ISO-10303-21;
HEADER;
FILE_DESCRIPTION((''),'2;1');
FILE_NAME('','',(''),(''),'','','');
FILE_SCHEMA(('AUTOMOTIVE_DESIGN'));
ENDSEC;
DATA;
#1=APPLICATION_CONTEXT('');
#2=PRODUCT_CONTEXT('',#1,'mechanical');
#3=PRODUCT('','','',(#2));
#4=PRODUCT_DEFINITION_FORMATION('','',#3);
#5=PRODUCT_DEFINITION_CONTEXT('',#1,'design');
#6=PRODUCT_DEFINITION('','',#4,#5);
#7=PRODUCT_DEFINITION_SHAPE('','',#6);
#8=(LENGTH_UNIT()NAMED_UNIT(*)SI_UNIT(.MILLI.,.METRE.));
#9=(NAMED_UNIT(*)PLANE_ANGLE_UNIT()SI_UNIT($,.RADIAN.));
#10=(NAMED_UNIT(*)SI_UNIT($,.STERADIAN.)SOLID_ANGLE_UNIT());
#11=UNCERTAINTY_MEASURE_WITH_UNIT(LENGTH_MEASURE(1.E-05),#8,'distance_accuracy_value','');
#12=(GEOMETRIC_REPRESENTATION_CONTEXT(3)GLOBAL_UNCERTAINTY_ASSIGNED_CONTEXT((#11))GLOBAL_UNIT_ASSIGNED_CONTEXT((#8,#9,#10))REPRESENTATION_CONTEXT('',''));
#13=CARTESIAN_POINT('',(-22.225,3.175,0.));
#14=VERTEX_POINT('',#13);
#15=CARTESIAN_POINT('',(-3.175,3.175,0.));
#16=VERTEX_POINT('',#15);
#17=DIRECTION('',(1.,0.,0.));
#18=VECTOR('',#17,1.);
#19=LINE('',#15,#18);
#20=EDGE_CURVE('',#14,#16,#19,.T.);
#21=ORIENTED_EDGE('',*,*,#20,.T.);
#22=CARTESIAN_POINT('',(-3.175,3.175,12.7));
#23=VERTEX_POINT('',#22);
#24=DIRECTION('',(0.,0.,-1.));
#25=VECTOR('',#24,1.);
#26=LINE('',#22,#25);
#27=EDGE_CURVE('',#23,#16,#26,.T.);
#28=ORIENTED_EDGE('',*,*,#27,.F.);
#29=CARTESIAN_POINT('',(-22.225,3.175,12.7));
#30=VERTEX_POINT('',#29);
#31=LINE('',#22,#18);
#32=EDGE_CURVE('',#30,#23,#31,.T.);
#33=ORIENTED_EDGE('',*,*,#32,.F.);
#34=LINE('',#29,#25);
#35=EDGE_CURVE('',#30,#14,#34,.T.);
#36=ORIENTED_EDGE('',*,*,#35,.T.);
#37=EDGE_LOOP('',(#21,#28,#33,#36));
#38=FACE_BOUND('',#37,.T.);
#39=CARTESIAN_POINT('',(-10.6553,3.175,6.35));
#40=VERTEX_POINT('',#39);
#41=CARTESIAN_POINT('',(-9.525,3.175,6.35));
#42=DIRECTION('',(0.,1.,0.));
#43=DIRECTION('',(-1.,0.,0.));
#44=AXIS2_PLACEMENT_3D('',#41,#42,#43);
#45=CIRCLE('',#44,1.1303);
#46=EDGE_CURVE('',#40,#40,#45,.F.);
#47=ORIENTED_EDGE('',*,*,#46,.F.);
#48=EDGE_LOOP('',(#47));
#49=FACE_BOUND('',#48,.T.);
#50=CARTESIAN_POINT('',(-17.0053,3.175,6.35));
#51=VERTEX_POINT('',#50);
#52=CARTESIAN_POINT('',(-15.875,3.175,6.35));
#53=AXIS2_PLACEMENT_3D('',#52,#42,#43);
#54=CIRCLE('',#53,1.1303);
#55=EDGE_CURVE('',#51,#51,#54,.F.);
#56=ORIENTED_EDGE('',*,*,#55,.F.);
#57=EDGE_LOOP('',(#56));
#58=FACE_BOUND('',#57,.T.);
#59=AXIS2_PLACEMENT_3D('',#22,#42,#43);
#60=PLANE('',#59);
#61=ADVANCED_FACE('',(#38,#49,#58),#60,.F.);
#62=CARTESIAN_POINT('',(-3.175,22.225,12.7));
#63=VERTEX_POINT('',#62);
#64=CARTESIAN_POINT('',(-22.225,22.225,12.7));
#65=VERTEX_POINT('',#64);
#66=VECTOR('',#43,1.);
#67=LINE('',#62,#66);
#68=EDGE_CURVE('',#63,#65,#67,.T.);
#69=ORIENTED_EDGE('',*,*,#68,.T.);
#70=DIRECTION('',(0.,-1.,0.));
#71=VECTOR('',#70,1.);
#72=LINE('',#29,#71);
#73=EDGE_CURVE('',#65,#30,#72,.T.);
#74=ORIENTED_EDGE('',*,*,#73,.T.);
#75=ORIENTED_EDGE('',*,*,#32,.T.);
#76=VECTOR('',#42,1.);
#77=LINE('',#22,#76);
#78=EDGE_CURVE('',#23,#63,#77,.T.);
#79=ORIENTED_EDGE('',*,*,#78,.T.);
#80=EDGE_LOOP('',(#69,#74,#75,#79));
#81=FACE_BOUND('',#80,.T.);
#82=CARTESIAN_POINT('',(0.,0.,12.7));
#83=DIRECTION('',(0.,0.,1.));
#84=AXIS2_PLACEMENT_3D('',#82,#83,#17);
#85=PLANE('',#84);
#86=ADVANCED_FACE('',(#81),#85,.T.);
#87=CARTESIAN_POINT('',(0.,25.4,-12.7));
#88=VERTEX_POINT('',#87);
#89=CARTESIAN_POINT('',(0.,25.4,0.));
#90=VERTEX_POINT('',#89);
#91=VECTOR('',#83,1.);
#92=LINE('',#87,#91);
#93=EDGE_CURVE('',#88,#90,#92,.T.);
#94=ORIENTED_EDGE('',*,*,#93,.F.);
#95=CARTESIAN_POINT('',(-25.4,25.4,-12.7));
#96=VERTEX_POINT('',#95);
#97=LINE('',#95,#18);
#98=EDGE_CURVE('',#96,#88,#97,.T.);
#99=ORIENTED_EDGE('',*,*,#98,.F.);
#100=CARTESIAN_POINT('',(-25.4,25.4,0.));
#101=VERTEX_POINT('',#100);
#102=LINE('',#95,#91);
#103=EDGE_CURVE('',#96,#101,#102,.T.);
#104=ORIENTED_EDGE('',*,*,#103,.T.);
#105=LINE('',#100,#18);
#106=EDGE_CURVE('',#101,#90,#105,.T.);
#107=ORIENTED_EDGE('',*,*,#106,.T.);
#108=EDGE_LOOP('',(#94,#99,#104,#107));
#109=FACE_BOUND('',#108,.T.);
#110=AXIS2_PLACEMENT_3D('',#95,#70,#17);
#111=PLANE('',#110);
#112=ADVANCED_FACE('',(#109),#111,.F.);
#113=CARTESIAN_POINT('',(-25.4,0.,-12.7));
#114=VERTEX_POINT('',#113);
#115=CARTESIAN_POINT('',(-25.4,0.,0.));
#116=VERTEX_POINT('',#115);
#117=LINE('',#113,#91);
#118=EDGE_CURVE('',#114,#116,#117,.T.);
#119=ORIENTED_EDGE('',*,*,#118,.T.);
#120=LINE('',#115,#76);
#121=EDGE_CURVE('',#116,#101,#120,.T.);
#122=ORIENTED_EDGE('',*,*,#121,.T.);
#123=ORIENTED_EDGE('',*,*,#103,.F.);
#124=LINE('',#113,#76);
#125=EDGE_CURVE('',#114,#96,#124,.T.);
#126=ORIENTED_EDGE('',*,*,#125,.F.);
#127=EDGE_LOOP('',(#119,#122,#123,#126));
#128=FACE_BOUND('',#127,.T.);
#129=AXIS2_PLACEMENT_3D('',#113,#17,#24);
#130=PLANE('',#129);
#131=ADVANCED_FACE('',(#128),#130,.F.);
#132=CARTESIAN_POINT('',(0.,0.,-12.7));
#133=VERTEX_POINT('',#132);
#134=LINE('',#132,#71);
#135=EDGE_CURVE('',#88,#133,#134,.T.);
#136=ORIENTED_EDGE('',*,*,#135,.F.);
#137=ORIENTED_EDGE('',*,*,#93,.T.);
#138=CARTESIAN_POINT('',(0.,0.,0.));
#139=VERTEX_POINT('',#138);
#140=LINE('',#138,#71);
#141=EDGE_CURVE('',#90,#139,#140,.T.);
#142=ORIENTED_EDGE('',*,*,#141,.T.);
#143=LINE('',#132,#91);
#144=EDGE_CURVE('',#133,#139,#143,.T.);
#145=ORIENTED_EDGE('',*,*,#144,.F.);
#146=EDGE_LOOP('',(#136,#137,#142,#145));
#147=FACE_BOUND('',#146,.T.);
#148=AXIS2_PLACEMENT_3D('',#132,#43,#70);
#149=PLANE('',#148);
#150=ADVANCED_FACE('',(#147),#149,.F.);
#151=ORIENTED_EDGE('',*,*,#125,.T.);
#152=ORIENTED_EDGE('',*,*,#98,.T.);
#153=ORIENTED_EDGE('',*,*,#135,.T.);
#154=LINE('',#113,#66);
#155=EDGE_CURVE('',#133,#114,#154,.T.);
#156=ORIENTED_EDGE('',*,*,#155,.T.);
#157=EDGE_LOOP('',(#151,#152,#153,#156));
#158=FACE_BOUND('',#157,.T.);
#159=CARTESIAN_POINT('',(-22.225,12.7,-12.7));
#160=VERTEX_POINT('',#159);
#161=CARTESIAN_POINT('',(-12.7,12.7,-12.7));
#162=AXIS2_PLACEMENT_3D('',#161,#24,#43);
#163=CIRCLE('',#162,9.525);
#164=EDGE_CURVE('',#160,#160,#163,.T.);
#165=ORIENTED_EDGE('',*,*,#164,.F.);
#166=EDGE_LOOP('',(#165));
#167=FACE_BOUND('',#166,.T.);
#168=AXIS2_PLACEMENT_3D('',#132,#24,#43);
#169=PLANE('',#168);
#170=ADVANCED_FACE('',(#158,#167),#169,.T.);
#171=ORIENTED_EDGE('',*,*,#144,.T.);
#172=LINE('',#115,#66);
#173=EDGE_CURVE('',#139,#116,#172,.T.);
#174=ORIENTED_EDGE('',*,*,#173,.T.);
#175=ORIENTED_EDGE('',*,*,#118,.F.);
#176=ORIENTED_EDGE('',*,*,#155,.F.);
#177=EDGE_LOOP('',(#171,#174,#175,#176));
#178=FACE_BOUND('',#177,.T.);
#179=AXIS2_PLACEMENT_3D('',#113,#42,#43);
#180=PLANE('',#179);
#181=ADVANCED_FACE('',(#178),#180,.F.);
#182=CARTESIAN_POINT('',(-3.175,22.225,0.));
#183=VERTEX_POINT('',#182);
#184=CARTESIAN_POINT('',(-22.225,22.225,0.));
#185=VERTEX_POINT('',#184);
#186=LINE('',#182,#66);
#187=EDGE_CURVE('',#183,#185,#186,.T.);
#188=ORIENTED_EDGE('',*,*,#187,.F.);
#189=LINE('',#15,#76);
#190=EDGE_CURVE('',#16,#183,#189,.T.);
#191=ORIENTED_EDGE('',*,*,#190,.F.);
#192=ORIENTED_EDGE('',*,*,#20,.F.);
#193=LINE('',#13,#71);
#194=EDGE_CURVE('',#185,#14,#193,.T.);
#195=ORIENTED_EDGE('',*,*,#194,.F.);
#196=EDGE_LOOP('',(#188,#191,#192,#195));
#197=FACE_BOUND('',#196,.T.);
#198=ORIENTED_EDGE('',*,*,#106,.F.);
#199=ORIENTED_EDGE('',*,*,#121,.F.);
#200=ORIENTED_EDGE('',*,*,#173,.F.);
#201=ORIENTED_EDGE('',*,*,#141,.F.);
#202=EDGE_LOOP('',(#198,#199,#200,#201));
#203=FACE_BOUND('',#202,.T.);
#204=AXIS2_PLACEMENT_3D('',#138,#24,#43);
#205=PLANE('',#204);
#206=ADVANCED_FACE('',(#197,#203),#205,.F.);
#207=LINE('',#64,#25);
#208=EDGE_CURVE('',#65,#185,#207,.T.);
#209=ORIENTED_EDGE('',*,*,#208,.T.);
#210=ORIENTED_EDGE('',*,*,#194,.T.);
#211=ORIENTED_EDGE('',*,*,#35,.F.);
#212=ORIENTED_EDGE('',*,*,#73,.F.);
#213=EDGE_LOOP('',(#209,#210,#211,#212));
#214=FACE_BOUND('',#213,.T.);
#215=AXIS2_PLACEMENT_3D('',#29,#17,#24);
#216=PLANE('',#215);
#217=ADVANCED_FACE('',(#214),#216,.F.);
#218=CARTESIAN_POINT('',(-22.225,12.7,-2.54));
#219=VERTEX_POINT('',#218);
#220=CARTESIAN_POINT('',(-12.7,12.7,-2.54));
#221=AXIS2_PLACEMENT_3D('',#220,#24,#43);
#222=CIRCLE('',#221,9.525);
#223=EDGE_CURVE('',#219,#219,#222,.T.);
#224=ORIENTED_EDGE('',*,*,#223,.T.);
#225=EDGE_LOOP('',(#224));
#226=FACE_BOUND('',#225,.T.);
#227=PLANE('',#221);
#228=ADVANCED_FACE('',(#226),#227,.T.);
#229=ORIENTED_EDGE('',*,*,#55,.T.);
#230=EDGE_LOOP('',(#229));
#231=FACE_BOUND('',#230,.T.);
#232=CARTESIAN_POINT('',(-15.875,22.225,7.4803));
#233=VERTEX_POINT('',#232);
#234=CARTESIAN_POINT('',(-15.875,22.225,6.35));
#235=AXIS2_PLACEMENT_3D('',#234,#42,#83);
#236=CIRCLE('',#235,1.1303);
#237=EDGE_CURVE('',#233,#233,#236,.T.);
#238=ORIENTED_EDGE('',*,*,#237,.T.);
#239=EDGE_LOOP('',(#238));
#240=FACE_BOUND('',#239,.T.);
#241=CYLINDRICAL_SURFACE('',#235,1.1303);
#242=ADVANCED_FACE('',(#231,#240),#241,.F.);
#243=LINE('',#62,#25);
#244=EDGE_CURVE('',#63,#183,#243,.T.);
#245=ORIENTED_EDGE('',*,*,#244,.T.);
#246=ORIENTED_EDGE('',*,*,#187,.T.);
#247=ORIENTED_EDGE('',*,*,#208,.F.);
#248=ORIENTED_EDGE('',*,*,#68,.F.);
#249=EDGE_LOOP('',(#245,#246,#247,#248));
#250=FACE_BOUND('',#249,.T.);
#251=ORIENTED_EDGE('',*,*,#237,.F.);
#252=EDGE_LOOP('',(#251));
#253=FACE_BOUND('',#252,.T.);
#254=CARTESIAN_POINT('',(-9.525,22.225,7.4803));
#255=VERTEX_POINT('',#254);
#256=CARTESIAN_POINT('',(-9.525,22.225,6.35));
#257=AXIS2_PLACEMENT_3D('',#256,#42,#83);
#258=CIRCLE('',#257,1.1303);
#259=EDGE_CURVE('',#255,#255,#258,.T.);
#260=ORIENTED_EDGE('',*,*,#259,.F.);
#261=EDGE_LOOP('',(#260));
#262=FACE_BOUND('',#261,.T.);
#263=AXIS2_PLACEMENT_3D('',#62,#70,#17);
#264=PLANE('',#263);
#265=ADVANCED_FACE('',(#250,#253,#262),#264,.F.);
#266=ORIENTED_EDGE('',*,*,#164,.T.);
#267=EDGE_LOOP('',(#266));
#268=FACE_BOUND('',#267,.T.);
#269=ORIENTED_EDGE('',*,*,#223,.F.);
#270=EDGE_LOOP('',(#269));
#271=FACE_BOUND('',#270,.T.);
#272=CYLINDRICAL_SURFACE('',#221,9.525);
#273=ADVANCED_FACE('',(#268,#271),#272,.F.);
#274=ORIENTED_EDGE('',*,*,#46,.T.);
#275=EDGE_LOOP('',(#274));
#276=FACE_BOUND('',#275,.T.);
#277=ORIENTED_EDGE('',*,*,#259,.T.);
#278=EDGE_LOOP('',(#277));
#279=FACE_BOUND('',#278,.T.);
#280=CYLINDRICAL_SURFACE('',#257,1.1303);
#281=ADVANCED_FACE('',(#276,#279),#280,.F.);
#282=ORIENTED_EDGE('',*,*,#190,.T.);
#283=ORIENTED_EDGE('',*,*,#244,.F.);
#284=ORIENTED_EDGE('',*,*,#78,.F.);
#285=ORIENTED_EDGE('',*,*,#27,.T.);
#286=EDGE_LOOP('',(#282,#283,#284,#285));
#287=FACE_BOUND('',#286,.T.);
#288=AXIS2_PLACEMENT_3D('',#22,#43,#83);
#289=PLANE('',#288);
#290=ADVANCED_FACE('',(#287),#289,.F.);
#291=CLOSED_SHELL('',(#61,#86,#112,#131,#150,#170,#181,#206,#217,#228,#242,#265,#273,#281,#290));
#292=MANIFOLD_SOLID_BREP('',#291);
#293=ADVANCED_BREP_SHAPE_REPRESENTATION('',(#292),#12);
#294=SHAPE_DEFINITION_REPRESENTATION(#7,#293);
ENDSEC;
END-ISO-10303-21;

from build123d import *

# Parameters (mm, degrees)
SKETCH1_W                 = 19.05
SKETCH1_H                 = 19.05
BOSS_EXTRUDE1_DEPTH       = 12.7
SKETCH2_W                 = 25.4
SKETCH2_H                 = 25.4
BOSS_EXTRUDE2_DEPTH       = 12.7
SKETCH3_R                 = 9.525
CUT_EXTRUDE3_DEPTH        = 10.16
TAP_DRILL_FOR_4_40_TAP1_D = 2.2606


with BuildPart() as part:
    # Sketch1 → Boss-Extrude1 (new body)
    with BuildSketch(Plane.XY):
        with Locations((-12.7, 12.7)):
            Rectangle(SKETCH1_W, SKETCH1_H)
    extrude(amount=BOSS_EXTRUDE1_DEPTH)

    # Sketch2 → Boss-Extrude2 (add)
    with BuildSketch(Plane(origin=(0, 0, 0), x_dir=(-1, 0, 0), z_dir=(0, 0, -1))):
        with Locations((12.7, 12.7)):
            Rectangle(SKETCH2_W, SKETCH2_H)
    extrude(amount=BOSS_EXTRUDE2_DEPTH)

    # Sketch3 → Cut-Extrude3 (cut)
    with BuildSketch(Plane(origin=(0, 0, -12.7), x_dir=(-1, 0, 0), z_dir=(0, 0, -1))):
        with Locations((12.7, 12.7)):
            Circle(SKETCH3_R)
    extrude(amount=-CUT_EXTRUDE3_DEPTH, mode=Mode.SUBTRACT)

    # Tap Drill for #4-40 Tap1 (through all)
    with Locations(Plane(origin=(0, 22.225, 0), x_dir=(1, 0, 0), z_dir=(0, 1, 0))):
        with Locations((-9.525, -6.35), (-15.875, -6.35)):
            Hole(TAP_DRILL_FOR_4_40_TAP1_D / 2)


solid = part.part
